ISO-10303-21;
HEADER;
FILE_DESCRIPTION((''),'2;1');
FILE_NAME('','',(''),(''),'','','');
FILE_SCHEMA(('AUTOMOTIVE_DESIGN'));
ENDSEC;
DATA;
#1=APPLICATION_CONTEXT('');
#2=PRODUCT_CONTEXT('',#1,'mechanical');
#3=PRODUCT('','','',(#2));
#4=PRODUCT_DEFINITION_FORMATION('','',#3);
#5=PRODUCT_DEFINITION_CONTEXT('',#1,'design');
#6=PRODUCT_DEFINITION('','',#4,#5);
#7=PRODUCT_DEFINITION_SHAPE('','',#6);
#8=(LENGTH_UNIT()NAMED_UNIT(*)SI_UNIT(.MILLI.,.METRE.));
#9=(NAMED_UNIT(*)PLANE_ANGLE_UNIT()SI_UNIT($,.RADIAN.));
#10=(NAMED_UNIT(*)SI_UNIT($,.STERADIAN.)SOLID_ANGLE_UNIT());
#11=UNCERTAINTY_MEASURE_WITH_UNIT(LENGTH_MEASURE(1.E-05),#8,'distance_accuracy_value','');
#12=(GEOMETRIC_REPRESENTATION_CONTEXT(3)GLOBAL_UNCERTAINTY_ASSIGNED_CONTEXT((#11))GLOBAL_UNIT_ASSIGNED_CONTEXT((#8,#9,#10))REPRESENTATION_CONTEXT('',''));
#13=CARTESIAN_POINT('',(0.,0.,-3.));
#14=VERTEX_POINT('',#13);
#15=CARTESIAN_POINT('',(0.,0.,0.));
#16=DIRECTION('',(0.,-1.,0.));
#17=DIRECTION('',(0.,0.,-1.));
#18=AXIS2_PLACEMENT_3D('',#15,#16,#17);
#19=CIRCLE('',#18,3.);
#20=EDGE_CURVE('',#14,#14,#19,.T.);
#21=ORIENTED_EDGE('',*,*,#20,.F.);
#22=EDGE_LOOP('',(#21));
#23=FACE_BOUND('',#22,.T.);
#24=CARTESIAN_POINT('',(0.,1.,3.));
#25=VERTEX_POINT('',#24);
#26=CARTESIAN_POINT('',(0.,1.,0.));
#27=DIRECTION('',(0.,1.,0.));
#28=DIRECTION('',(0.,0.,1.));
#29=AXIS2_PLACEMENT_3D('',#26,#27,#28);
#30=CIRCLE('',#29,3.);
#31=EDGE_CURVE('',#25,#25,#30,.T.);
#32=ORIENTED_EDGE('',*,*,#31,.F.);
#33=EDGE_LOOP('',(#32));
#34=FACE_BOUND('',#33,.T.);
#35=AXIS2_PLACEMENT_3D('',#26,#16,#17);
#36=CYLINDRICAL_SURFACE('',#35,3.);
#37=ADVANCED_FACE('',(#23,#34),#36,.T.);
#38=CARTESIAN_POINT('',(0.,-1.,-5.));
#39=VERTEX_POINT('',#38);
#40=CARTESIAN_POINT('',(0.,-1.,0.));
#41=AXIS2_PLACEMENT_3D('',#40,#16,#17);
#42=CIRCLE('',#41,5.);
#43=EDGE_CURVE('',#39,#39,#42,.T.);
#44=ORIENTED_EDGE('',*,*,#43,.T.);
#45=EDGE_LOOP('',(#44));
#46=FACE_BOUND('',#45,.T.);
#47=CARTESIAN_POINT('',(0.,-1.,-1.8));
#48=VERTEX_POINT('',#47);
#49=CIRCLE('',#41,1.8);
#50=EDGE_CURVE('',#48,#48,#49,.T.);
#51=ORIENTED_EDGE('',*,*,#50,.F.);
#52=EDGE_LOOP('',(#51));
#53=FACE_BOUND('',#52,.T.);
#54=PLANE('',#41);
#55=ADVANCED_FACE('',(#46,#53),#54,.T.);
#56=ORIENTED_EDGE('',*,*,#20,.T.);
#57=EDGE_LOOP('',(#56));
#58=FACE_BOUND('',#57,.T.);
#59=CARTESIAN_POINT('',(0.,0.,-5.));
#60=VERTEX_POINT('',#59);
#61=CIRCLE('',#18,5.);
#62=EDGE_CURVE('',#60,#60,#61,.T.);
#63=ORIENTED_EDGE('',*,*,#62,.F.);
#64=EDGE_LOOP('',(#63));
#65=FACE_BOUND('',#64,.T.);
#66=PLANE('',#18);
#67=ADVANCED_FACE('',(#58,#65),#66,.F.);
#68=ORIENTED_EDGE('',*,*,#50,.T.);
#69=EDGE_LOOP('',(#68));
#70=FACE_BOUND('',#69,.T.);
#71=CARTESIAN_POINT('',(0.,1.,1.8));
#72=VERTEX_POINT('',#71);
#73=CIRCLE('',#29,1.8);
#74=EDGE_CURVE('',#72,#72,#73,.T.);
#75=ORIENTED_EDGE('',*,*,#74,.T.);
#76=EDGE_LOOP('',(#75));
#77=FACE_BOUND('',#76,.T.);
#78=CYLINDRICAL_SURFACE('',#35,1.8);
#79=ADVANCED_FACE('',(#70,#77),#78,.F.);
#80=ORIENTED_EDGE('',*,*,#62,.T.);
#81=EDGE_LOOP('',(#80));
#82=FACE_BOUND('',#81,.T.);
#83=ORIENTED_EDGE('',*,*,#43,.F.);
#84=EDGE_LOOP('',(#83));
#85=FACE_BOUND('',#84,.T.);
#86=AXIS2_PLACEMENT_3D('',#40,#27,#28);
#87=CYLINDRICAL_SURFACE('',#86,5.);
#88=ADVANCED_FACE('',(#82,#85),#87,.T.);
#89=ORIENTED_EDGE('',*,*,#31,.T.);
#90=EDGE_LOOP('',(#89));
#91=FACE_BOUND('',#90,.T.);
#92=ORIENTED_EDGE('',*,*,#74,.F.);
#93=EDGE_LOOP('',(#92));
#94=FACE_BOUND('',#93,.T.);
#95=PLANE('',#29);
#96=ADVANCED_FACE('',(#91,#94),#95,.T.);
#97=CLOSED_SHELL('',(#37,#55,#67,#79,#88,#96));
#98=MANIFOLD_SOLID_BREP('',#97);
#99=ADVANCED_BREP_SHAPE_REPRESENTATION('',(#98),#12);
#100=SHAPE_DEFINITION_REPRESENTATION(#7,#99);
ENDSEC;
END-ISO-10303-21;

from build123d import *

# Parameters (mm, degrees)
SKETCH1_R           = 3
SKETCH1_R_2         = 1.8
BOSS_EXTRUDE1_DEPTH = 1
SKETCH2_R           = 5
SKETCH2_R_2         = 1.8
BOSS_EXTRUDE2_DEPTH = 1


with BuildPart() as part:
    # Sketch1 → Boss-Extrude1 (new body)
    with BuildSketch(Plane(origin=(0, 0, 0), x_dir=(1, 0, 0), z_dir=(0, 1, 0))):
        Circle(SKETCH1_R)
        Circle(SKETCH1_R_2, mode=Mode.SUBTRACT)
    extrude(amount=BOSS_EXTRUDE1_DEPTH)

    # Sketch2 → Boss-Extrude2 (add)
    with BuildSketch(Plane.XZ):
        Circle(SKETCH2_R)
        Circle(SKETCH2_R_2, mode=Mode.SUBTRACT)
    extrude(amount=BOSS_EXTRUDE2_DEPTH)


solid = part.part
